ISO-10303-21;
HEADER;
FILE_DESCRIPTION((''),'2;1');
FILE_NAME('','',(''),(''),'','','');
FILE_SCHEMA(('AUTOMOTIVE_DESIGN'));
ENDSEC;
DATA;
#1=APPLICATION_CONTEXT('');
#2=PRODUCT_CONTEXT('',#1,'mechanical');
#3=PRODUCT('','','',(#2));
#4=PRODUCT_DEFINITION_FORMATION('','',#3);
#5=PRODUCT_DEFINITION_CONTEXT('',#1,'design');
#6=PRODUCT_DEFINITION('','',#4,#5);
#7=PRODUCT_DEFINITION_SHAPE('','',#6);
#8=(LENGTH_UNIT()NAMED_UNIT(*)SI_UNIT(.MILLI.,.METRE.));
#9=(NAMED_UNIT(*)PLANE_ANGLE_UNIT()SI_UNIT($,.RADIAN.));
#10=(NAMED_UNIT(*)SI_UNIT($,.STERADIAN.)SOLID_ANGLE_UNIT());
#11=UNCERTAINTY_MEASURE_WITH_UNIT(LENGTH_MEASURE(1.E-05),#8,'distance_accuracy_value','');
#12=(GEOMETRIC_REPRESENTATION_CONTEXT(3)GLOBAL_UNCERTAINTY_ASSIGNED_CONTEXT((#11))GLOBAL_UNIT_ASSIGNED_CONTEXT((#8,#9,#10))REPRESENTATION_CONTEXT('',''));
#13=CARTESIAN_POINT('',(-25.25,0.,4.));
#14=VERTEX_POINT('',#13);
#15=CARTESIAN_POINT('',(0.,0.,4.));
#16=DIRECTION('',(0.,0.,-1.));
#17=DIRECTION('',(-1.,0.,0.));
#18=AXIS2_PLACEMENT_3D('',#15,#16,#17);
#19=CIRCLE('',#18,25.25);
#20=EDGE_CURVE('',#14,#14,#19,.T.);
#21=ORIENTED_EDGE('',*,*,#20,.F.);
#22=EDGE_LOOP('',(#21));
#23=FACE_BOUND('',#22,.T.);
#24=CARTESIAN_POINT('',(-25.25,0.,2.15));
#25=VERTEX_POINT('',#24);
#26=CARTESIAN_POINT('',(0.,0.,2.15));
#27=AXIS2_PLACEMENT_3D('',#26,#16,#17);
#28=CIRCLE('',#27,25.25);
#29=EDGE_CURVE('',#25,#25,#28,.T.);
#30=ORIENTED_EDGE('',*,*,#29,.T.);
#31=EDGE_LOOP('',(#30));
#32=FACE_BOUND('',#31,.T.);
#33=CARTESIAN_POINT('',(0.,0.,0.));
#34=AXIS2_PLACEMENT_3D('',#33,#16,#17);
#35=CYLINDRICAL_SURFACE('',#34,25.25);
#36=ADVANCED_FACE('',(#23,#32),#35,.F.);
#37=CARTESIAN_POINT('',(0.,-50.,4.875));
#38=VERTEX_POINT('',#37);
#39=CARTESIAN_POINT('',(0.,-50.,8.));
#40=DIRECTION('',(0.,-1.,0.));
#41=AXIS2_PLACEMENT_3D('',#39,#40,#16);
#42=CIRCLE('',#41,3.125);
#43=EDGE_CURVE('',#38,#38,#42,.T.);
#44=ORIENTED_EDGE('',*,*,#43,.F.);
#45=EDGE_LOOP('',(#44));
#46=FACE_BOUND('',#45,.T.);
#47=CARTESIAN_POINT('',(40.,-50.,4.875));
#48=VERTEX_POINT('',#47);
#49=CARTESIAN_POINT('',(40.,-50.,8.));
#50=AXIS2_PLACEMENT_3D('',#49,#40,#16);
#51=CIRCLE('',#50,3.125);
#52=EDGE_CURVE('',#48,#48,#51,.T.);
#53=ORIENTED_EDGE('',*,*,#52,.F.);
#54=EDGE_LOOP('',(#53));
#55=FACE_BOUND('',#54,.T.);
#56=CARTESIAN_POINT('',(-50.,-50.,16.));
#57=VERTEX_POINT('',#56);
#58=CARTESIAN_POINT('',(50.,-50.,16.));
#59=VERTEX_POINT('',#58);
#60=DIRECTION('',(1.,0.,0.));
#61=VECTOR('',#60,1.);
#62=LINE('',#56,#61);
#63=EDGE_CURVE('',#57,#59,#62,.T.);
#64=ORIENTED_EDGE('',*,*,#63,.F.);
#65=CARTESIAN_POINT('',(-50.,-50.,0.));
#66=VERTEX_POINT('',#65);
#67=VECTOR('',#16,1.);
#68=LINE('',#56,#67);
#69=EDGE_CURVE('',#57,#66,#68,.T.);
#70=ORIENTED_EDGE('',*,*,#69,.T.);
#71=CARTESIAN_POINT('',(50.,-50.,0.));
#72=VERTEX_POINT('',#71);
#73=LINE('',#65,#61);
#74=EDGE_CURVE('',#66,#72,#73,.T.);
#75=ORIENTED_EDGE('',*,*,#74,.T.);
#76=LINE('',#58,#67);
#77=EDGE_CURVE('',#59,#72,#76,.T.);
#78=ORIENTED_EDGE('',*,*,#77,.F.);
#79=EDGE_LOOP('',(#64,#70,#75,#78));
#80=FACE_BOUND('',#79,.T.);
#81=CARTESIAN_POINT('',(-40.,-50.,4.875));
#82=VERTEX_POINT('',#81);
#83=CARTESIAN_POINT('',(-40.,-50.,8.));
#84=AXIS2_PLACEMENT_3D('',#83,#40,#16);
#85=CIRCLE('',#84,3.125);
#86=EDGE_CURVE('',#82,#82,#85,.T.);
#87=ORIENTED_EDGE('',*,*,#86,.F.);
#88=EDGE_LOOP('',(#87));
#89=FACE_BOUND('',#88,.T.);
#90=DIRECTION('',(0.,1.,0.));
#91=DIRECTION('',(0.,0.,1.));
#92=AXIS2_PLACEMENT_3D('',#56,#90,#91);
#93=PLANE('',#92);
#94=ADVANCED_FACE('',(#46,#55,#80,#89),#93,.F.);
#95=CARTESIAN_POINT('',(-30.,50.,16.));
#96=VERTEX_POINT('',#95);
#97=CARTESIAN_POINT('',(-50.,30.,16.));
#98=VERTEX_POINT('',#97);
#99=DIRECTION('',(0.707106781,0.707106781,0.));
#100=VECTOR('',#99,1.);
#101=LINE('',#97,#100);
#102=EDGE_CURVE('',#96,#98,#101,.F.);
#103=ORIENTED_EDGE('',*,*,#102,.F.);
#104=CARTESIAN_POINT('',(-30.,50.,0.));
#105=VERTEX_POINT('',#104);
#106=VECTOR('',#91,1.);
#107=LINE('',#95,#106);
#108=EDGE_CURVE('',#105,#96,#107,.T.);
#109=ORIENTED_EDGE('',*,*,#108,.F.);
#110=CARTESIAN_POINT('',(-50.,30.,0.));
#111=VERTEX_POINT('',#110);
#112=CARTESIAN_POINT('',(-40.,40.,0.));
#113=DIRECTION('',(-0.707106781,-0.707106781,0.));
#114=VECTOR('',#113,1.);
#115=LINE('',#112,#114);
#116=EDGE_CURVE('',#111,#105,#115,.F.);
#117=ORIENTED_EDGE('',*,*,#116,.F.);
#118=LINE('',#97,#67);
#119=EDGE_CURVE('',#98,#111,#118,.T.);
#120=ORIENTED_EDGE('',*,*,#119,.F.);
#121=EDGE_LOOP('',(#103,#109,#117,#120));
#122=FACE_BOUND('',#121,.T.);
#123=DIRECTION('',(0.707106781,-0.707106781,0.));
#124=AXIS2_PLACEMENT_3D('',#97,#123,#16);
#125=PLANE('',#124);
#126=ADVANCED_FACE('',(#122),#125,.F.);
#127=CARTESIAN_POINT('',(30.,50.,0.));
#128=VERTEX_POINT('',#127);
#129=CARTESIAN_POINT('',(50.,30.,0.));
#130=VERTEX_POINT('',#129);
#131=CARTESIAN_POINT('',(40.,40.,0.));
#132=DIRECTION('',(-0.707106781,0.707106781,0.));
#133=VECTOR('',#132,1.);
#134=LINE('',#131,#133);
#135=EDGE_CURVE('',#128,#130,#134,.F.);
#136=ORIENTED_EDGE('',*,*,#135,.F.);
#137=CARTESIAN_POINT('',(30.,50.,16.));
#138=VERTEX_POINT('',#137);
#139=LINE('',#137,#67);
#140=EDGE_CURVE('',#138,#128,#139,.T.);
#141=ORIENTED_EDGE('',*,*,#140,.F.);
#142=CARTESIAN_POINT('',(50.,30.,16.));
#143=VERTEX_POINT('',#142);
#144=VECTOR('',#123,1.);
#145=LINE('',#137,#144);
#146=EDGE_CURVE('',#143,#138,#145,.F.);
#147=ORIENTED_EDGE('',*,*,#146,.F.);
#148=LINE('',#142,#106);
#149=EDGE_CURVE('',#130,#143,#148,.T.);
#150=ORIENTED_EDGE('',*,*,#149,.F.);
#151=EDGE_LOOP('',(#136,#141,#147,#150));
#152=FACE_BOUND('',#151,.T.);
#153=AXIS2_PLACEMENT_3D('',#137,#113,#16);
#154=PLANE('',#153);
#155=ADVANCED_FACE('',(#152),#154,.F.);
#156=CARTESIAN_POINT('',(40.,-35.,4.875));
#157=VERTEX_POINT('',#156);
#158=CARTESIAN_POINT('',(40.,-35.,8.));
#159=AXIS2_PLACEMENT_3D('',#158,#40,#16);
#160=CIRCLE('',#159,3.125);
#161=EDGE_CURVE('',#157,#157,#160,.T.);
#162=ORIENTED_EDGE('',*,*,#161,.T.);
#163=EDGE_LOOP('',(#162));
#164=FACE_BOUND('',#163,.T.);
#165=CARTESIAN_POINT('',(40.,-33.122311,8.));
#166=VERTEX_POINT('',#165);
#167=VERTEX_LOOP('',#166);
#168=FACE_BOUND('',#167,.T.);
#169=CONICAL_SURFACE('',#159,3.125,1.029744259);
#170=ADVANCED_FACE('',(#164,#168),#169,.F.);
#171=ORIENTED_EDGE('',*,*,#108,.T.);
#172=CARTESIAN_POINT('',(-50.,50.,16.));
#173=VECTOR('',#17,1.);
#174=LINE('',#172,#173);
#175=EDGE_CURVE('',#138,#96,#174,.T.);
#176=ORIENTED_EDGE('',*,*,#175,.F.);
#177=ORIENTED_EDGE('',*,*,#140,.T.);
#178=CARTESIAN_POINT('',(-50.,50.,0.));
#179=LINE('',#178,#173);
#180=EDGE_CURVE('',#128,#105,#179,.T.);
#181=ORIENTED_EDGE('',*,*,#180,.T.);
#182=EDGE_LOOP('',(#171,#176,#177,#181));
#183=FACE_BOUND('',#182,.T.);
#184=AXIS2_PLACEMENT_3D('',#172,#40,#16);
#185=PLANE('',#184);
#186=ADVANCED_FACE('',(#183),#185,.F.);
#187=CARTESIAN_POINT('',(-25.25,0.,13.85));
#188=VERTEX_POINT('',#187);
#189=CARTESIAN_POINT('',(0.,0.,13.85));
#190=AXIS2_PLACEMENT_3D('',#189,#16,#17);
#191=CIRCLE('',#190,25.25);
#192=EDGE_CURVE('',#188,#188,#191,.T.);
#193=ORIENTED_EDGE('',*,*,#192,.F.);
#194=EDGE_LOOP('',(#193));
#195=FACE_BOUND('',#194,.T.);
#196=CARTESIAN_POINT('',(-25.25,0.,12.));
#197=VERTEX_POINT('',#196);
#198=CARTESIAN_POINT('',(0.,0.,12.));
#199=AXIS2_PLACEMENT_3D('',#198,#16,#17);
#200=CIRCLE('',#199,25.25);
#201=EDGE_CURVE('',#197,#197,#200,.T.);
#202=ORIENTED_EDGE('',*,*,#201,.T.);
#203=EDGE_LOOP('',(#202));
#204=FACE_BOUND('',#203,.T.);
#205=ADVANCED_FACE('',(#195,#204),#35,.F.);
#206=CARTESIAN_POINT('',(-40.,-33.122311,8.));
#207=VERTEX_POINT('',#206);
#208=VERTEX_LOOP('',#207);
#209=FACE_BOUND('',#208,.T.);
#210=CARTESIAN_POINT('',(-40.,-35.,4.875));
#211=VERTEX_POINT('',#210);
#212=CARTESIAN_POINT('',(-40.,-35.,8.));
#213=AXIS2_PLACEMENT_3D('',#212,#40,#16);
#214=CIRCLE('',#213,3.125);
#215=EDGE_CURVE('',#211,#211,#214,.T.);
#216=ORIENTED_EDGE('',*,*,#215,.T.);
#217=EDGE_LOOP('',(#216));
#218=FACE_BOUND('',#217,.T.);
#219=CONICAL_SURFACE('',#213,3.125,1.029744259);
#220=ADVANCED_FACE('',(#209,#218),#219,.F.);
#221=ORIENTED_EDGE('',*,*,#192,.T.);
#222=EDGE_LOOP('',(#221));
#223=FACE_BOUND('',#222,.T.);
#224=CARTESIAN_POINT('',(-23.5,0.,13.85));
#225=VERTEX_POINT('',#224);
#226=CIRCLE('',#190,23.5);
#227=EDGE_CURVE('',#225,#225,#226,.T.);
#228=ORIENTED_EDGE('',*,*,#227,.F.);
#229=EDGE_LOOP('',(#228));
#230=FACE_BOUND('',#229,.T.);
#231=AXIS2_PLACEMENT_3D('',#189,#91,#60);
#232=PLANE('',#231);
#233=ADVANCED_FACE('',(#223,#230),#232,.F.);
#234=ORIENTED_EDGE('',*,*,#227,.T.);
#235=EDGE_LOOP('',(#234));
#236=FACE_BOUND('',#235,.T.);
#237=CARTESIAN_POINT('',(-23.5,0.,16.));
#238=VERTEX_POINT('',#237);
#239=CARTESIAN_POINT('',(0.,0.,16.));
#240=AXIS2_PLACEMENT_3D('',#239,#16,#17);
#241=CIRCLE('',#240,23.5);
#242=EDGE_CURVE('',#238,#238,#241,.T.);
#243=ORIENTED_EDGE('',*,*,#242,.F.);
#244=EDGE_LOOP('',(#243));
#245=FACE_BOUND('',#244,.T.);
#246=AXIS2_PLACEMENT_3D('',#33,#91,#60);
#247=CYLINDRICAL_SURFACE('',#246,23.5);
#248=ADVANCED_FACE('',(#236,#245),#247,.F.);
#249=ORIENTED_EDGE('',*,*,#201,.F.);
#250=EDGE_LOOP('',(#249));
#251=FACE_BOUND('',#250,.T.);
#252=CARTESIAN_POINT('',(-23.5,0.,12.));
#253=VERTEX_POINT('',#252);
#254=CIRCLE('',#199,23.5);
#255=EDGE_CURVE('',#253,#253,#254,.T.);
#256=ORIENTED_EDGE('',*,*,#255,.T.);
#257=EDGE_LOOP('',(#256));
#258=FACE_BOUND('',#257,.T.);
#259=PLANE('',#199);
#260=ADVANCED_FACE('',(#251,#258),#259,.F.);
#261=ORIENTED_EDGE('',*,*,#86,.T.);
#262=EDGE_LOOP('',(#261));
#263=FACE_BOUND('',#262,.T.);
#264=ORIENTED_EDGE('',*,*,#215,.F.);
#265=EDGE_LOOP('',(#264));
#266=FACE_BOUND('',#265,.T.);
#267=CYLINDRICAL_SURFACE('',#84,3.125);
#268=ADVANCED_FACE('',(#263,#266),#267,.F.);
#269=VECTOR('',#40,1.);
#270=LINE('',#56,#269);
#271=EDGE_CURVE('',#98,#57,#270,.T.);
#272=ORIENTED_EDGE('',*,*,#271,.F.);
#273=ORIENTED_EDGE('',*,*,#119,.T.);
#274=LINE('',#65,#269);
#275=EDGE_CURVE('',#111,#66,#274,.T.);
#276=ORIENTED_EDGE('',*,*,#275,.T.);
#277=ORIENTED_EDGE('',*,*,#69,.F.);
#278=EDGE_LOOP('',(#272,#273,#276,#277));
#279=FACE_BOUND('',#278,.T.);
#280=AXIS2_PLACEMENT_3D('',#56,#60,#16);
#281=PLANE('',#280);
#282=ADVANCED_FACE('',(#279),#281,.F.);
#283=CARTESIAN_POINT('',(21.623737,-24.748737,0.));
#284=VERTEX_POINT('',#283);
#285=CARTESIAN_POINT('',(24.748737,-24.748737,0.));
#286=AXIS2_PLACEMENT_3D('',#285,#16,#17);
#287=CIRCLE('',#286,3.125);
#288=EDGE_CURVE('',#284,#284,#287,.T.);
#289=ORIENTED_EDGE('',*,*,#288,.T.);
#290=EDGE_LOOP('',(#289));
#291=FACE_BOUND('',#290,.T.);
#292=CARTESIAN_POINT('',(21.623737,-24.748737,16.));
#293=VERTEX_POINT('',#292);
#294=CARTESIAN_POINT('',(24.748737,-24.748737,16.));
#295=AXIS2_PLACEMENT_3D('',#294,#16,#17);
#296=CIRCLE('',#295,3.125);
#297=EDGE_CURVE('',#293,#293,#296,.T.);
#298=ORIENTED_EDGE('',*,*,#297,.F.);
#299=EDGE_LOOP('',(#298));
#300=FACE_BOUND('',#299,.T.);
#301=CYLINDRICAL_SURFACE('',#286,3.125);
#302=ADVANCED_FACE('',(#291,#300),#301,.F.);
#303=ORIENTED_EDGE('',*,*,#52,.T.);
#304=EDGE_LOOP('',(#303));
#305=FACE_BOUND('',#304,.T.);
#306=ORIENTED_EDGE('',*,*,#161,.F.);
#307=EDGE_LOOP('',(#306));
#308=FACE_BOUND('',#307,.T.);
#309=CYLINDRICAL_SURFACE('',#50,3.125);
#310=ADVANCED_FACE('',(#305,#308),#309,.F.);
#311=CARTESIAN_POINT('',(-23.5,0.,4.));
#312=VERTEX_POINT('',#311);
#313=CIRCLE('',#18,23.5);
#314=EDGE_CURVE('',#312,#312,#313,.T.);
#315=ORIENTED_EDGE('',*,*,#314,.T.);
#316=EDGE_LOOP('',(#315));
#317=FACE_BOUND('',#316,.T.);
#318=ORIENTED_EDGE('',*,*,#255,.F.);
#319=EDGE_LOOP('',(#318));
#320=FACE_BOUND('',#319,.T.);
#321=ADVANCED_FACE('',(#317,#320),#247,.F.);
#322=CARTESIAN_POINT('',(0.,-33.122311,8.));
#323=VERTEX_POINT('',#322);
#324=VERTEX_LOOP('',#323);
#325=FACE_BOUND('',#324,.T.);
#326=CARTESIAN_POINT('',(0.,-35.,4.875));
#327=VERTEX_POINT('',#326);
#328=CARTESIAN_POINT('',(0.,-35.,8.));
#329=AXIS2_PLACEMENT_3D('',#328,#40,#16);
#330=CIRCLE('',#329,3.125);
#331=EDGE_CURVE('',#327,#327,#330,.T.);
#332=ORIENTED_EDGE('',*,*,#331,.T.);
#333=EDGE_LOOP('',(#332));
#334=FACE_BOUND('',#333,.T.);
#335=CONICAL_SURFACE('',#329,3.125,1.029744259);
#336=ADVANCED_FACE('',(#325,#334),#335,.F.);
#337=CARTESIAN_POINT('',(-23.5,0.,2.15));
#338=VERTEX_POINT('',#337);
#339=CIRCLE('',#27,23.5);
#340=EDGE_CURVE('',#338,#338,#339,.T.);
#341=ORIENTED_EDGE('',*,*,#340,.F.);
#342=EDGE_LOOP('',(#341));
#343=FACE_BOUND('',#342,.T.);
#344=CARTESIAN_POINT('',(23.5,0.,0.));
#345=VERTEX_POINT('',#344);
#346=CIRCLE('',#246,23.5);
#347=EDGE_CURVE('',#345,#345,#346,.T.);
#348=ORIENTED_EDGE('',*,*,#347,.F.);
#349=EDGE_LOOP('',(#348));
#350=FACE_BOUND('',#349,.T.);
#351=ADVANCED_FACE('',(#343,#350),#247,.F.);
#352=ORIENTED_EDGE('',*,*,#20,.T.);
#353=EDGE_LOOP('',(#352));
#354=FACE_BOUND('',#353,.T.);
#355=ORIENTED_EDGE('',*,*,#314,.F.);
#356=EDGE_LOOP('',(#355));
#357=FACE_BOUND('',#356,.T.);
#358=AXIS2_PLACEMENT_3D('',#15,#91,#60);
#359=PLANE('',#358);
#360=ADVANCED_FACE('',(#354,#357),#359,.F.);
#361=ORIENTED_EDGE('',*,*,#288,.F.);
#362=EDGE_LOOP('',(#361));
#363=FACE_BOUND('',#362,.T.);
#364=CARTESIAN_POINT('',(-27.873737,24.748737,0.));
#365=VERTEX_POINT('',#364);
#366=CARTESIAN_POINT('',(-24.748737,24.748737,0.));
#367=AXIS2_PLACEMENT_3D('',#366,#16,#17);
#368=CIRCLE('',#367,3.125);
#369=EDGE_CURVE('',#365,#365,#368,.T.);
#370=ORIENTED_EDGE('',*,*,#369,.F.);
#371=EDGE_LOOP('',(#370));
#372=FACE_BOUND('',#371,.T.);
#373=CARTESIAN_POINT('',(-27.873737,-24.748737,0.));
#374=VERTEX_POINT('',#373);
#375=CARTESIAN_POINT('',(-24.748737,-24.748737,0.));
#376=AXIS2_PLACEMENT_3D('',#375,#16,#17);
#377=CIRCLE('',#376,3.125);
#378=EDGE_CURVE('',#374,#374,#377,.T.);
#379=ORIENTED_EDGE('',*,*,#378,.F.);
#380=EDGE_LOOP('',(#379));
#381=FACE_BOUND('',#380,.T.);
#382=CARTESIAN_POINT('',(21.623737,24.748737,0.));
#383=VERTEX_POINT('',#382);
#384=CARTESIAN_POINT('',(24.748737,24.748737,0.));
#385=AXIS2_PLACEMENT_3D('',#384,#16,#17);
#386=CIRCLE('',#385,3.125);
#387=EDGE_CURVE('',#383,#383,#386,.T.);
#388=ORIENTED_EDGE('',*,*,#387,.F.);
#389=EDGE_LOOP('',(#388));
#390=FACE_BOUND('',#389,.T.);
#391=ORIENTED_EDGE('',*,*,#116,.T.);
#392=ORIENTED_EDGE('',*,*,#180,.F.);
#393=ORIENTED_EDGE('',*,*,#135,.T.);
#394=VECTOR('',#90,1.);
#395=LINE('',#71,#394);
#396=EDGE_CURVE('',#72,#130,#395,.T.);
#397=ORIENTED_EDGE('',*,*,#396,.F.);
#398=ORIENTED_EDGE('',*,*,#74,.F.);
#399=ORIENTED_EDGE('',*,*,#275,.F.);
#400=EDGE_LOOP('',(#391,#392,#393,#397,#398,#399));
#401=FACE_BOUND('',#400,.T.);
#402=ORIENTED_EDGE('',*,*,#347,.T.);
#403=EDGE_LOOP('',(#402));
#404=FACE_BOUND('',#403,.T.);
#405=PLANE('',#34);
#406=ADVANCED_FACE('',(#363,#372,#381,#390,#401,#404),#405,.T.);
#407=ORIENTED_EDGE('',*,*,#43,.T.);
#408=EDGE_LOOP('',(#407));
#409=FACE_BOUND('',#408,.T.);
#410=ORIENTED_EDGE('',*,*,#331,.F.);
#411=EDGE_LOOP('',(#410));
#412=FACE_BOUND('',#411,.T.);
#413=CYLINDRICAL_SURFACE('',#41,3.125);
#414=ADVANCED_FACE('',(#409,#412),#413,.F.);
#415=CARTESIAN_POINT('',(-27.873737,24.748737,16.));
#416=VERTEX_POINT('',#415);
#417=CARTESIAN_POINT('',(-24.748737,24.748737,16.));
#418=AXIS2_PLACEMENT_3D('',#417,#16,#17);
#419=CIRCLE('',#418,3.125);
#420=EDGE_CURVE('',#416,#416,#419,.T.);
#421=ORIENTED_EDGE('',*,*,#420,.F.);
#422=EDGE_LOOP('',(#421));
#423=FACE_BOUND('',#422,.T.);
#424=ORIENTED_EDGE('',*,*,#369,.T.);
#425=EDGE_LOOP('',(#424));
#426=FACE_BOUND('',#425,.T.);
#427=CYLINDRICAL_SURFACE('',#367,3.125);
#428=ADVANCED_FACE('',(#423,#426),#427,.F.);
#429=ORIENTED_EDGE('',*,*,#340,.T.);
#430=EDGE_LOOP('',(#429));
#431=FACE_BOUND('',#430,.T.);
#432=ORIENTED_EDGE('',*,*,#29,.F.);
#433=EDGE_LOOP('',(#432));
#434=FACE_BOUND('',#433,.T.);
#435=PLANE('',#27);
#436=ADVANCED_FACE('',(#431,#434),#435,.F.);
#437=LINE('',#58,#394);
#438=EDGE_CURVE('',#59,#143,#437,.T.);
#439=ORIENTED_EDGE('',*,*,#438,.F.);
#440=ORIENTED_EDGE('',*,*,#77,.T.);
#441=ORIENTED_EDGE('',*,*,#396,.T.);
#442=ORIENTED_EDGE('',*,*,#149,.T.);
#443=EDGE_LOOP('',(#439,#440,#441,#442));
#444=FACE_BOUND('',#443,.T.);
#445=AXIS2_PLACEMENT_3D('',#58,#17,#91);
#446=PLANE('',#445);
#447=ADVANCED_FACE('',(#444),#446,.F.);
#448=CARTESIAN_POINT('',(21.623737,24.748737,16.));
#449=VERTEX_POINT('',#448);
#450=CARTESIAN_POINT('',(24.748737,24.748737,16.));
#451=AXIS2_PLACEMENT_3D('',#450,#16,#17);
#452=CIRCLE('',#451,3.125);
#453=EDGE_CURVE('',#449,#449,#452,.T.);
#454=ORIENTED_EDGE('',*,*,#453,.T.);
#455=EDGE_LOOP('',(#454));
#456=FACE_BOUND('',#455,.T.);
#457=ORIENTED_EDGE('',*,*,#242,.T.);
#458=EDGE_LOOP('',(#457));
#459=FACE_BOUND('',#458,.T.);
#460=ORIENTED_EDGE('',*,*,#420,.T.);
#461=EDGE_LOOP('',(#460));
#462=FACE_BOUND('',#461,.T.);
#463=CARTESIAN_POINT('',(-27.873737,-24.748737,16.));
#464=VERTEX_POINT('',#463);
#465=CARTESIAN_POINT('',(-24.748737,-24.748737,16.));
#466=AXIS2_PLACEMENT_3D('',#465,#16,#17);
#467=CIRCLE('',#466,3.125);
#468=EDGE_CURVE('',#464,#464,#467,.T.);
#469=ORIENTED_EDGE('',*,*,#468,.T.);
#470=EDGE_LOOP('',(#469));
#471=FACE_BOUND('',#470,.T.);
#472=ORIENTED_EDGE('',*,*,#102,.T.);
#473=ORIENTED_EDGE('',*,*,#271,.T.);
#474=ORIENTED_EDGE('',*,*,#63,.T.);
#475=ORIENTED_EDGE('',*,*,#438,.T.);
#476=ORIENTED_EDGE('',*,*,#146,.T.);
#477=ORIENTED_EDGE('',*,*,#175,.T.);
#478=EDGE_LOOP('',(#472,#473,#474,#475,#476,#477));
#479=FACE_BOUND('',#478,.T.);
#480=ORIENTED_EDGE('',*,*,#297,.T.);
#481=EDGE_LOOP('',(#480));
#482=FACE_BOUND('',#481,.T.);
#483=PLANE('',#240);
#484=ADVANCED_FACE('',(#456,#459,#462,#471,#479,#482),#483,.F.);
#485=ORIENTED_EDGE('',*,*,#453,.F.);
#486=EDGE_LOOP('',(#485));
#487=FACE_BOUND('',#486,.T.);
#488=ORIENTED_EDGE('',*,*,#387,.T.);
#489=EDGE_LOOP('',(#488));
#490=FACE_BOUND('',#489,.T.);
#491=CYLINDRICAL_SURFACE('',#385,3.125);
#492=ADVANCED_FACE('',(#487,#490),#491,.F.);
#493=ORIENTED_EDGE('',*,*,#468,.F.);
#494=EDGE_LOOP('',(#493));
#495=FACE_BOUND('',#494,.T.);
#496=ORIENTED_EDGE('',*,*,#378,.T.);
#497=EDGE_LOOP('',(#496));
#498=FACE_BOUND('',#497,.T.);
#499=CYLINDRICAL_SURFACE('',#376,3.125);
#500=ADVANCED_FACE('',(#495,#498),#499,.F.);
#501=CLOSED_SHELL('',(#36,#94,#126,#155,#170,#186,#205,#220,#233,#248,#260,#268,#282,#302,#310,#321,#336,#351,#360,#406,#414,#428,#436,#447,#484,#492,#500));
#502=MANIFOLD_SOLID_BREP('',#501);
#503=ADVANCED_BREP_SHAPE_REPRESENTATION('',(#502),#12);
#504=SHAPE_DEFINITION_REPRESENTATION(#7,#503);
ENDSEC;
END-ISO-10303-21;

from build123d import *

# Parameters (mm, degrees)
SKETCH1_W                        = 100
SKETCH1_H                        = 100
BOSS_EXTRUDE1_DEPTH              = 16
CUT_EXTRUDE1_DEPTH               = 73.498275842
CUT_EXTRUDE1_DEPTH_BACK          = 73.498275842
SKETCH2_R                        = 23.5
SKETCH3_W                        = 1.85
SKETCH3_H                        = 1.75
TAP_DRILL_FOR_M6_HELICOIL1_D     = 6.25
TAP_DRILL_FOR_M6_HELICOIL1_DEPTH = 15
TAP_DRILL_FOR_M6_HELICOIL1_TIP   = 1.877689434
TAP_DRILL_FOR_M6_HELICOIL2_D     = 6.25
CHAMFER1_SIZE                    = 20


with BuildPart() as part:
    # Sketch1 → Boss-Extrude1 (new body)
    with BuildSketch(Plane.XY):
        Rectangle(SKETCH1_W, SKETCH1_H)
    extrude(amount=BOSS_EXTRUDE1_DEPTH)

    # Sketch2 → Cut-Extrude1 (cut, two sides: drawn at the far end of the back side and taken through both)
    with BuildSketch(Plane.XY.offset(16).offset(-CUT_EXTRUDE1_DEPTH_BACK)):
        Circle(SKETCH2_R)
    extrude(amount=CUT_EXTRUDE1_DEPTH + CUT_EXTRUDE1_DEPTH_BACK, mode=Mode.SUBTRACT)

    # Sketch3 → Cut-Revolve1 (revolve, cut)
    with BuildSketch(Plane(origin=(0, 0, 0), x_dir=(0, 0, -1), z_dir=(1, 0, 0)), mode=Mode.PRIVATE) as cut_revolve1_sk:
        with Locations((-12.925, 24.375)):
            Rectangle(SKETCH3_W, SKETCH3_H)
        with Locations((-3.075, 24.375)):
            Rectangle(SKETCH3_W, SKETCH3_H)
    revolve(cut_revolve1_sk.sketch.rotate(Axis((0, 0, 0), (0, 0, 1)), 90), axis=Axis((0, 0, 0), (0, 0, 1)), mode=Mode.SUBTRACT)

    # Tap Drill for M6 Helicoil1
    with Locations(Plane(origin=(0, -50, 0), x_dir=(-1, 0, 0), z_dir=(0, -1, 0))):
        with Locations((-40, -8), (0, -8), (40, -8)):
            Hole(TAP_DRILL_FOR_M6_HELICOIL1_D / 2, depth=TAP_DRILL_FOR_M6_HELICOIL1_DEPTH)
            with Locations((0, 0, -(TAP_DRILL_FOR_M6_HELICOIL1_DEPTH + TAP_DRILL_FOR_M6_HELICOIL1_TIP / 2))):  # 118° drill point
                Cone(0, TAP_DRILL_FOR_M6_HELICOIL1_D / 2, TAP_DRILL_FOR_M6_HELICOIL1_TIP, mode=Mode.SUBTRACT)

    # Tap Drill for M6 Helicoil2 (through all)
    with Locations(Plane(origin=(0, 0, 0), x_dir=(-1, 0, 0), z_dir=(0, 0, -1))):
        with Locations((-24.748737342, -24.748737342), (-24.748737342, 24.748737342), (24.748737342, 24.748737342), (24.748737342, -24.748737342)):
            Hole(TAP_DRILL_FOR_M6_HELICOIL2_D / 2)

    # Chamfer1
    chamfer1_edges = [part.edges().sort_by_distance(p)[0] for p in [
        (-50, 50, 8),
        (50, 50, 8),
    ]]
    chamfer(chamfer1_edges, length=CHAMFER1_SIZE)


solid = part.part
